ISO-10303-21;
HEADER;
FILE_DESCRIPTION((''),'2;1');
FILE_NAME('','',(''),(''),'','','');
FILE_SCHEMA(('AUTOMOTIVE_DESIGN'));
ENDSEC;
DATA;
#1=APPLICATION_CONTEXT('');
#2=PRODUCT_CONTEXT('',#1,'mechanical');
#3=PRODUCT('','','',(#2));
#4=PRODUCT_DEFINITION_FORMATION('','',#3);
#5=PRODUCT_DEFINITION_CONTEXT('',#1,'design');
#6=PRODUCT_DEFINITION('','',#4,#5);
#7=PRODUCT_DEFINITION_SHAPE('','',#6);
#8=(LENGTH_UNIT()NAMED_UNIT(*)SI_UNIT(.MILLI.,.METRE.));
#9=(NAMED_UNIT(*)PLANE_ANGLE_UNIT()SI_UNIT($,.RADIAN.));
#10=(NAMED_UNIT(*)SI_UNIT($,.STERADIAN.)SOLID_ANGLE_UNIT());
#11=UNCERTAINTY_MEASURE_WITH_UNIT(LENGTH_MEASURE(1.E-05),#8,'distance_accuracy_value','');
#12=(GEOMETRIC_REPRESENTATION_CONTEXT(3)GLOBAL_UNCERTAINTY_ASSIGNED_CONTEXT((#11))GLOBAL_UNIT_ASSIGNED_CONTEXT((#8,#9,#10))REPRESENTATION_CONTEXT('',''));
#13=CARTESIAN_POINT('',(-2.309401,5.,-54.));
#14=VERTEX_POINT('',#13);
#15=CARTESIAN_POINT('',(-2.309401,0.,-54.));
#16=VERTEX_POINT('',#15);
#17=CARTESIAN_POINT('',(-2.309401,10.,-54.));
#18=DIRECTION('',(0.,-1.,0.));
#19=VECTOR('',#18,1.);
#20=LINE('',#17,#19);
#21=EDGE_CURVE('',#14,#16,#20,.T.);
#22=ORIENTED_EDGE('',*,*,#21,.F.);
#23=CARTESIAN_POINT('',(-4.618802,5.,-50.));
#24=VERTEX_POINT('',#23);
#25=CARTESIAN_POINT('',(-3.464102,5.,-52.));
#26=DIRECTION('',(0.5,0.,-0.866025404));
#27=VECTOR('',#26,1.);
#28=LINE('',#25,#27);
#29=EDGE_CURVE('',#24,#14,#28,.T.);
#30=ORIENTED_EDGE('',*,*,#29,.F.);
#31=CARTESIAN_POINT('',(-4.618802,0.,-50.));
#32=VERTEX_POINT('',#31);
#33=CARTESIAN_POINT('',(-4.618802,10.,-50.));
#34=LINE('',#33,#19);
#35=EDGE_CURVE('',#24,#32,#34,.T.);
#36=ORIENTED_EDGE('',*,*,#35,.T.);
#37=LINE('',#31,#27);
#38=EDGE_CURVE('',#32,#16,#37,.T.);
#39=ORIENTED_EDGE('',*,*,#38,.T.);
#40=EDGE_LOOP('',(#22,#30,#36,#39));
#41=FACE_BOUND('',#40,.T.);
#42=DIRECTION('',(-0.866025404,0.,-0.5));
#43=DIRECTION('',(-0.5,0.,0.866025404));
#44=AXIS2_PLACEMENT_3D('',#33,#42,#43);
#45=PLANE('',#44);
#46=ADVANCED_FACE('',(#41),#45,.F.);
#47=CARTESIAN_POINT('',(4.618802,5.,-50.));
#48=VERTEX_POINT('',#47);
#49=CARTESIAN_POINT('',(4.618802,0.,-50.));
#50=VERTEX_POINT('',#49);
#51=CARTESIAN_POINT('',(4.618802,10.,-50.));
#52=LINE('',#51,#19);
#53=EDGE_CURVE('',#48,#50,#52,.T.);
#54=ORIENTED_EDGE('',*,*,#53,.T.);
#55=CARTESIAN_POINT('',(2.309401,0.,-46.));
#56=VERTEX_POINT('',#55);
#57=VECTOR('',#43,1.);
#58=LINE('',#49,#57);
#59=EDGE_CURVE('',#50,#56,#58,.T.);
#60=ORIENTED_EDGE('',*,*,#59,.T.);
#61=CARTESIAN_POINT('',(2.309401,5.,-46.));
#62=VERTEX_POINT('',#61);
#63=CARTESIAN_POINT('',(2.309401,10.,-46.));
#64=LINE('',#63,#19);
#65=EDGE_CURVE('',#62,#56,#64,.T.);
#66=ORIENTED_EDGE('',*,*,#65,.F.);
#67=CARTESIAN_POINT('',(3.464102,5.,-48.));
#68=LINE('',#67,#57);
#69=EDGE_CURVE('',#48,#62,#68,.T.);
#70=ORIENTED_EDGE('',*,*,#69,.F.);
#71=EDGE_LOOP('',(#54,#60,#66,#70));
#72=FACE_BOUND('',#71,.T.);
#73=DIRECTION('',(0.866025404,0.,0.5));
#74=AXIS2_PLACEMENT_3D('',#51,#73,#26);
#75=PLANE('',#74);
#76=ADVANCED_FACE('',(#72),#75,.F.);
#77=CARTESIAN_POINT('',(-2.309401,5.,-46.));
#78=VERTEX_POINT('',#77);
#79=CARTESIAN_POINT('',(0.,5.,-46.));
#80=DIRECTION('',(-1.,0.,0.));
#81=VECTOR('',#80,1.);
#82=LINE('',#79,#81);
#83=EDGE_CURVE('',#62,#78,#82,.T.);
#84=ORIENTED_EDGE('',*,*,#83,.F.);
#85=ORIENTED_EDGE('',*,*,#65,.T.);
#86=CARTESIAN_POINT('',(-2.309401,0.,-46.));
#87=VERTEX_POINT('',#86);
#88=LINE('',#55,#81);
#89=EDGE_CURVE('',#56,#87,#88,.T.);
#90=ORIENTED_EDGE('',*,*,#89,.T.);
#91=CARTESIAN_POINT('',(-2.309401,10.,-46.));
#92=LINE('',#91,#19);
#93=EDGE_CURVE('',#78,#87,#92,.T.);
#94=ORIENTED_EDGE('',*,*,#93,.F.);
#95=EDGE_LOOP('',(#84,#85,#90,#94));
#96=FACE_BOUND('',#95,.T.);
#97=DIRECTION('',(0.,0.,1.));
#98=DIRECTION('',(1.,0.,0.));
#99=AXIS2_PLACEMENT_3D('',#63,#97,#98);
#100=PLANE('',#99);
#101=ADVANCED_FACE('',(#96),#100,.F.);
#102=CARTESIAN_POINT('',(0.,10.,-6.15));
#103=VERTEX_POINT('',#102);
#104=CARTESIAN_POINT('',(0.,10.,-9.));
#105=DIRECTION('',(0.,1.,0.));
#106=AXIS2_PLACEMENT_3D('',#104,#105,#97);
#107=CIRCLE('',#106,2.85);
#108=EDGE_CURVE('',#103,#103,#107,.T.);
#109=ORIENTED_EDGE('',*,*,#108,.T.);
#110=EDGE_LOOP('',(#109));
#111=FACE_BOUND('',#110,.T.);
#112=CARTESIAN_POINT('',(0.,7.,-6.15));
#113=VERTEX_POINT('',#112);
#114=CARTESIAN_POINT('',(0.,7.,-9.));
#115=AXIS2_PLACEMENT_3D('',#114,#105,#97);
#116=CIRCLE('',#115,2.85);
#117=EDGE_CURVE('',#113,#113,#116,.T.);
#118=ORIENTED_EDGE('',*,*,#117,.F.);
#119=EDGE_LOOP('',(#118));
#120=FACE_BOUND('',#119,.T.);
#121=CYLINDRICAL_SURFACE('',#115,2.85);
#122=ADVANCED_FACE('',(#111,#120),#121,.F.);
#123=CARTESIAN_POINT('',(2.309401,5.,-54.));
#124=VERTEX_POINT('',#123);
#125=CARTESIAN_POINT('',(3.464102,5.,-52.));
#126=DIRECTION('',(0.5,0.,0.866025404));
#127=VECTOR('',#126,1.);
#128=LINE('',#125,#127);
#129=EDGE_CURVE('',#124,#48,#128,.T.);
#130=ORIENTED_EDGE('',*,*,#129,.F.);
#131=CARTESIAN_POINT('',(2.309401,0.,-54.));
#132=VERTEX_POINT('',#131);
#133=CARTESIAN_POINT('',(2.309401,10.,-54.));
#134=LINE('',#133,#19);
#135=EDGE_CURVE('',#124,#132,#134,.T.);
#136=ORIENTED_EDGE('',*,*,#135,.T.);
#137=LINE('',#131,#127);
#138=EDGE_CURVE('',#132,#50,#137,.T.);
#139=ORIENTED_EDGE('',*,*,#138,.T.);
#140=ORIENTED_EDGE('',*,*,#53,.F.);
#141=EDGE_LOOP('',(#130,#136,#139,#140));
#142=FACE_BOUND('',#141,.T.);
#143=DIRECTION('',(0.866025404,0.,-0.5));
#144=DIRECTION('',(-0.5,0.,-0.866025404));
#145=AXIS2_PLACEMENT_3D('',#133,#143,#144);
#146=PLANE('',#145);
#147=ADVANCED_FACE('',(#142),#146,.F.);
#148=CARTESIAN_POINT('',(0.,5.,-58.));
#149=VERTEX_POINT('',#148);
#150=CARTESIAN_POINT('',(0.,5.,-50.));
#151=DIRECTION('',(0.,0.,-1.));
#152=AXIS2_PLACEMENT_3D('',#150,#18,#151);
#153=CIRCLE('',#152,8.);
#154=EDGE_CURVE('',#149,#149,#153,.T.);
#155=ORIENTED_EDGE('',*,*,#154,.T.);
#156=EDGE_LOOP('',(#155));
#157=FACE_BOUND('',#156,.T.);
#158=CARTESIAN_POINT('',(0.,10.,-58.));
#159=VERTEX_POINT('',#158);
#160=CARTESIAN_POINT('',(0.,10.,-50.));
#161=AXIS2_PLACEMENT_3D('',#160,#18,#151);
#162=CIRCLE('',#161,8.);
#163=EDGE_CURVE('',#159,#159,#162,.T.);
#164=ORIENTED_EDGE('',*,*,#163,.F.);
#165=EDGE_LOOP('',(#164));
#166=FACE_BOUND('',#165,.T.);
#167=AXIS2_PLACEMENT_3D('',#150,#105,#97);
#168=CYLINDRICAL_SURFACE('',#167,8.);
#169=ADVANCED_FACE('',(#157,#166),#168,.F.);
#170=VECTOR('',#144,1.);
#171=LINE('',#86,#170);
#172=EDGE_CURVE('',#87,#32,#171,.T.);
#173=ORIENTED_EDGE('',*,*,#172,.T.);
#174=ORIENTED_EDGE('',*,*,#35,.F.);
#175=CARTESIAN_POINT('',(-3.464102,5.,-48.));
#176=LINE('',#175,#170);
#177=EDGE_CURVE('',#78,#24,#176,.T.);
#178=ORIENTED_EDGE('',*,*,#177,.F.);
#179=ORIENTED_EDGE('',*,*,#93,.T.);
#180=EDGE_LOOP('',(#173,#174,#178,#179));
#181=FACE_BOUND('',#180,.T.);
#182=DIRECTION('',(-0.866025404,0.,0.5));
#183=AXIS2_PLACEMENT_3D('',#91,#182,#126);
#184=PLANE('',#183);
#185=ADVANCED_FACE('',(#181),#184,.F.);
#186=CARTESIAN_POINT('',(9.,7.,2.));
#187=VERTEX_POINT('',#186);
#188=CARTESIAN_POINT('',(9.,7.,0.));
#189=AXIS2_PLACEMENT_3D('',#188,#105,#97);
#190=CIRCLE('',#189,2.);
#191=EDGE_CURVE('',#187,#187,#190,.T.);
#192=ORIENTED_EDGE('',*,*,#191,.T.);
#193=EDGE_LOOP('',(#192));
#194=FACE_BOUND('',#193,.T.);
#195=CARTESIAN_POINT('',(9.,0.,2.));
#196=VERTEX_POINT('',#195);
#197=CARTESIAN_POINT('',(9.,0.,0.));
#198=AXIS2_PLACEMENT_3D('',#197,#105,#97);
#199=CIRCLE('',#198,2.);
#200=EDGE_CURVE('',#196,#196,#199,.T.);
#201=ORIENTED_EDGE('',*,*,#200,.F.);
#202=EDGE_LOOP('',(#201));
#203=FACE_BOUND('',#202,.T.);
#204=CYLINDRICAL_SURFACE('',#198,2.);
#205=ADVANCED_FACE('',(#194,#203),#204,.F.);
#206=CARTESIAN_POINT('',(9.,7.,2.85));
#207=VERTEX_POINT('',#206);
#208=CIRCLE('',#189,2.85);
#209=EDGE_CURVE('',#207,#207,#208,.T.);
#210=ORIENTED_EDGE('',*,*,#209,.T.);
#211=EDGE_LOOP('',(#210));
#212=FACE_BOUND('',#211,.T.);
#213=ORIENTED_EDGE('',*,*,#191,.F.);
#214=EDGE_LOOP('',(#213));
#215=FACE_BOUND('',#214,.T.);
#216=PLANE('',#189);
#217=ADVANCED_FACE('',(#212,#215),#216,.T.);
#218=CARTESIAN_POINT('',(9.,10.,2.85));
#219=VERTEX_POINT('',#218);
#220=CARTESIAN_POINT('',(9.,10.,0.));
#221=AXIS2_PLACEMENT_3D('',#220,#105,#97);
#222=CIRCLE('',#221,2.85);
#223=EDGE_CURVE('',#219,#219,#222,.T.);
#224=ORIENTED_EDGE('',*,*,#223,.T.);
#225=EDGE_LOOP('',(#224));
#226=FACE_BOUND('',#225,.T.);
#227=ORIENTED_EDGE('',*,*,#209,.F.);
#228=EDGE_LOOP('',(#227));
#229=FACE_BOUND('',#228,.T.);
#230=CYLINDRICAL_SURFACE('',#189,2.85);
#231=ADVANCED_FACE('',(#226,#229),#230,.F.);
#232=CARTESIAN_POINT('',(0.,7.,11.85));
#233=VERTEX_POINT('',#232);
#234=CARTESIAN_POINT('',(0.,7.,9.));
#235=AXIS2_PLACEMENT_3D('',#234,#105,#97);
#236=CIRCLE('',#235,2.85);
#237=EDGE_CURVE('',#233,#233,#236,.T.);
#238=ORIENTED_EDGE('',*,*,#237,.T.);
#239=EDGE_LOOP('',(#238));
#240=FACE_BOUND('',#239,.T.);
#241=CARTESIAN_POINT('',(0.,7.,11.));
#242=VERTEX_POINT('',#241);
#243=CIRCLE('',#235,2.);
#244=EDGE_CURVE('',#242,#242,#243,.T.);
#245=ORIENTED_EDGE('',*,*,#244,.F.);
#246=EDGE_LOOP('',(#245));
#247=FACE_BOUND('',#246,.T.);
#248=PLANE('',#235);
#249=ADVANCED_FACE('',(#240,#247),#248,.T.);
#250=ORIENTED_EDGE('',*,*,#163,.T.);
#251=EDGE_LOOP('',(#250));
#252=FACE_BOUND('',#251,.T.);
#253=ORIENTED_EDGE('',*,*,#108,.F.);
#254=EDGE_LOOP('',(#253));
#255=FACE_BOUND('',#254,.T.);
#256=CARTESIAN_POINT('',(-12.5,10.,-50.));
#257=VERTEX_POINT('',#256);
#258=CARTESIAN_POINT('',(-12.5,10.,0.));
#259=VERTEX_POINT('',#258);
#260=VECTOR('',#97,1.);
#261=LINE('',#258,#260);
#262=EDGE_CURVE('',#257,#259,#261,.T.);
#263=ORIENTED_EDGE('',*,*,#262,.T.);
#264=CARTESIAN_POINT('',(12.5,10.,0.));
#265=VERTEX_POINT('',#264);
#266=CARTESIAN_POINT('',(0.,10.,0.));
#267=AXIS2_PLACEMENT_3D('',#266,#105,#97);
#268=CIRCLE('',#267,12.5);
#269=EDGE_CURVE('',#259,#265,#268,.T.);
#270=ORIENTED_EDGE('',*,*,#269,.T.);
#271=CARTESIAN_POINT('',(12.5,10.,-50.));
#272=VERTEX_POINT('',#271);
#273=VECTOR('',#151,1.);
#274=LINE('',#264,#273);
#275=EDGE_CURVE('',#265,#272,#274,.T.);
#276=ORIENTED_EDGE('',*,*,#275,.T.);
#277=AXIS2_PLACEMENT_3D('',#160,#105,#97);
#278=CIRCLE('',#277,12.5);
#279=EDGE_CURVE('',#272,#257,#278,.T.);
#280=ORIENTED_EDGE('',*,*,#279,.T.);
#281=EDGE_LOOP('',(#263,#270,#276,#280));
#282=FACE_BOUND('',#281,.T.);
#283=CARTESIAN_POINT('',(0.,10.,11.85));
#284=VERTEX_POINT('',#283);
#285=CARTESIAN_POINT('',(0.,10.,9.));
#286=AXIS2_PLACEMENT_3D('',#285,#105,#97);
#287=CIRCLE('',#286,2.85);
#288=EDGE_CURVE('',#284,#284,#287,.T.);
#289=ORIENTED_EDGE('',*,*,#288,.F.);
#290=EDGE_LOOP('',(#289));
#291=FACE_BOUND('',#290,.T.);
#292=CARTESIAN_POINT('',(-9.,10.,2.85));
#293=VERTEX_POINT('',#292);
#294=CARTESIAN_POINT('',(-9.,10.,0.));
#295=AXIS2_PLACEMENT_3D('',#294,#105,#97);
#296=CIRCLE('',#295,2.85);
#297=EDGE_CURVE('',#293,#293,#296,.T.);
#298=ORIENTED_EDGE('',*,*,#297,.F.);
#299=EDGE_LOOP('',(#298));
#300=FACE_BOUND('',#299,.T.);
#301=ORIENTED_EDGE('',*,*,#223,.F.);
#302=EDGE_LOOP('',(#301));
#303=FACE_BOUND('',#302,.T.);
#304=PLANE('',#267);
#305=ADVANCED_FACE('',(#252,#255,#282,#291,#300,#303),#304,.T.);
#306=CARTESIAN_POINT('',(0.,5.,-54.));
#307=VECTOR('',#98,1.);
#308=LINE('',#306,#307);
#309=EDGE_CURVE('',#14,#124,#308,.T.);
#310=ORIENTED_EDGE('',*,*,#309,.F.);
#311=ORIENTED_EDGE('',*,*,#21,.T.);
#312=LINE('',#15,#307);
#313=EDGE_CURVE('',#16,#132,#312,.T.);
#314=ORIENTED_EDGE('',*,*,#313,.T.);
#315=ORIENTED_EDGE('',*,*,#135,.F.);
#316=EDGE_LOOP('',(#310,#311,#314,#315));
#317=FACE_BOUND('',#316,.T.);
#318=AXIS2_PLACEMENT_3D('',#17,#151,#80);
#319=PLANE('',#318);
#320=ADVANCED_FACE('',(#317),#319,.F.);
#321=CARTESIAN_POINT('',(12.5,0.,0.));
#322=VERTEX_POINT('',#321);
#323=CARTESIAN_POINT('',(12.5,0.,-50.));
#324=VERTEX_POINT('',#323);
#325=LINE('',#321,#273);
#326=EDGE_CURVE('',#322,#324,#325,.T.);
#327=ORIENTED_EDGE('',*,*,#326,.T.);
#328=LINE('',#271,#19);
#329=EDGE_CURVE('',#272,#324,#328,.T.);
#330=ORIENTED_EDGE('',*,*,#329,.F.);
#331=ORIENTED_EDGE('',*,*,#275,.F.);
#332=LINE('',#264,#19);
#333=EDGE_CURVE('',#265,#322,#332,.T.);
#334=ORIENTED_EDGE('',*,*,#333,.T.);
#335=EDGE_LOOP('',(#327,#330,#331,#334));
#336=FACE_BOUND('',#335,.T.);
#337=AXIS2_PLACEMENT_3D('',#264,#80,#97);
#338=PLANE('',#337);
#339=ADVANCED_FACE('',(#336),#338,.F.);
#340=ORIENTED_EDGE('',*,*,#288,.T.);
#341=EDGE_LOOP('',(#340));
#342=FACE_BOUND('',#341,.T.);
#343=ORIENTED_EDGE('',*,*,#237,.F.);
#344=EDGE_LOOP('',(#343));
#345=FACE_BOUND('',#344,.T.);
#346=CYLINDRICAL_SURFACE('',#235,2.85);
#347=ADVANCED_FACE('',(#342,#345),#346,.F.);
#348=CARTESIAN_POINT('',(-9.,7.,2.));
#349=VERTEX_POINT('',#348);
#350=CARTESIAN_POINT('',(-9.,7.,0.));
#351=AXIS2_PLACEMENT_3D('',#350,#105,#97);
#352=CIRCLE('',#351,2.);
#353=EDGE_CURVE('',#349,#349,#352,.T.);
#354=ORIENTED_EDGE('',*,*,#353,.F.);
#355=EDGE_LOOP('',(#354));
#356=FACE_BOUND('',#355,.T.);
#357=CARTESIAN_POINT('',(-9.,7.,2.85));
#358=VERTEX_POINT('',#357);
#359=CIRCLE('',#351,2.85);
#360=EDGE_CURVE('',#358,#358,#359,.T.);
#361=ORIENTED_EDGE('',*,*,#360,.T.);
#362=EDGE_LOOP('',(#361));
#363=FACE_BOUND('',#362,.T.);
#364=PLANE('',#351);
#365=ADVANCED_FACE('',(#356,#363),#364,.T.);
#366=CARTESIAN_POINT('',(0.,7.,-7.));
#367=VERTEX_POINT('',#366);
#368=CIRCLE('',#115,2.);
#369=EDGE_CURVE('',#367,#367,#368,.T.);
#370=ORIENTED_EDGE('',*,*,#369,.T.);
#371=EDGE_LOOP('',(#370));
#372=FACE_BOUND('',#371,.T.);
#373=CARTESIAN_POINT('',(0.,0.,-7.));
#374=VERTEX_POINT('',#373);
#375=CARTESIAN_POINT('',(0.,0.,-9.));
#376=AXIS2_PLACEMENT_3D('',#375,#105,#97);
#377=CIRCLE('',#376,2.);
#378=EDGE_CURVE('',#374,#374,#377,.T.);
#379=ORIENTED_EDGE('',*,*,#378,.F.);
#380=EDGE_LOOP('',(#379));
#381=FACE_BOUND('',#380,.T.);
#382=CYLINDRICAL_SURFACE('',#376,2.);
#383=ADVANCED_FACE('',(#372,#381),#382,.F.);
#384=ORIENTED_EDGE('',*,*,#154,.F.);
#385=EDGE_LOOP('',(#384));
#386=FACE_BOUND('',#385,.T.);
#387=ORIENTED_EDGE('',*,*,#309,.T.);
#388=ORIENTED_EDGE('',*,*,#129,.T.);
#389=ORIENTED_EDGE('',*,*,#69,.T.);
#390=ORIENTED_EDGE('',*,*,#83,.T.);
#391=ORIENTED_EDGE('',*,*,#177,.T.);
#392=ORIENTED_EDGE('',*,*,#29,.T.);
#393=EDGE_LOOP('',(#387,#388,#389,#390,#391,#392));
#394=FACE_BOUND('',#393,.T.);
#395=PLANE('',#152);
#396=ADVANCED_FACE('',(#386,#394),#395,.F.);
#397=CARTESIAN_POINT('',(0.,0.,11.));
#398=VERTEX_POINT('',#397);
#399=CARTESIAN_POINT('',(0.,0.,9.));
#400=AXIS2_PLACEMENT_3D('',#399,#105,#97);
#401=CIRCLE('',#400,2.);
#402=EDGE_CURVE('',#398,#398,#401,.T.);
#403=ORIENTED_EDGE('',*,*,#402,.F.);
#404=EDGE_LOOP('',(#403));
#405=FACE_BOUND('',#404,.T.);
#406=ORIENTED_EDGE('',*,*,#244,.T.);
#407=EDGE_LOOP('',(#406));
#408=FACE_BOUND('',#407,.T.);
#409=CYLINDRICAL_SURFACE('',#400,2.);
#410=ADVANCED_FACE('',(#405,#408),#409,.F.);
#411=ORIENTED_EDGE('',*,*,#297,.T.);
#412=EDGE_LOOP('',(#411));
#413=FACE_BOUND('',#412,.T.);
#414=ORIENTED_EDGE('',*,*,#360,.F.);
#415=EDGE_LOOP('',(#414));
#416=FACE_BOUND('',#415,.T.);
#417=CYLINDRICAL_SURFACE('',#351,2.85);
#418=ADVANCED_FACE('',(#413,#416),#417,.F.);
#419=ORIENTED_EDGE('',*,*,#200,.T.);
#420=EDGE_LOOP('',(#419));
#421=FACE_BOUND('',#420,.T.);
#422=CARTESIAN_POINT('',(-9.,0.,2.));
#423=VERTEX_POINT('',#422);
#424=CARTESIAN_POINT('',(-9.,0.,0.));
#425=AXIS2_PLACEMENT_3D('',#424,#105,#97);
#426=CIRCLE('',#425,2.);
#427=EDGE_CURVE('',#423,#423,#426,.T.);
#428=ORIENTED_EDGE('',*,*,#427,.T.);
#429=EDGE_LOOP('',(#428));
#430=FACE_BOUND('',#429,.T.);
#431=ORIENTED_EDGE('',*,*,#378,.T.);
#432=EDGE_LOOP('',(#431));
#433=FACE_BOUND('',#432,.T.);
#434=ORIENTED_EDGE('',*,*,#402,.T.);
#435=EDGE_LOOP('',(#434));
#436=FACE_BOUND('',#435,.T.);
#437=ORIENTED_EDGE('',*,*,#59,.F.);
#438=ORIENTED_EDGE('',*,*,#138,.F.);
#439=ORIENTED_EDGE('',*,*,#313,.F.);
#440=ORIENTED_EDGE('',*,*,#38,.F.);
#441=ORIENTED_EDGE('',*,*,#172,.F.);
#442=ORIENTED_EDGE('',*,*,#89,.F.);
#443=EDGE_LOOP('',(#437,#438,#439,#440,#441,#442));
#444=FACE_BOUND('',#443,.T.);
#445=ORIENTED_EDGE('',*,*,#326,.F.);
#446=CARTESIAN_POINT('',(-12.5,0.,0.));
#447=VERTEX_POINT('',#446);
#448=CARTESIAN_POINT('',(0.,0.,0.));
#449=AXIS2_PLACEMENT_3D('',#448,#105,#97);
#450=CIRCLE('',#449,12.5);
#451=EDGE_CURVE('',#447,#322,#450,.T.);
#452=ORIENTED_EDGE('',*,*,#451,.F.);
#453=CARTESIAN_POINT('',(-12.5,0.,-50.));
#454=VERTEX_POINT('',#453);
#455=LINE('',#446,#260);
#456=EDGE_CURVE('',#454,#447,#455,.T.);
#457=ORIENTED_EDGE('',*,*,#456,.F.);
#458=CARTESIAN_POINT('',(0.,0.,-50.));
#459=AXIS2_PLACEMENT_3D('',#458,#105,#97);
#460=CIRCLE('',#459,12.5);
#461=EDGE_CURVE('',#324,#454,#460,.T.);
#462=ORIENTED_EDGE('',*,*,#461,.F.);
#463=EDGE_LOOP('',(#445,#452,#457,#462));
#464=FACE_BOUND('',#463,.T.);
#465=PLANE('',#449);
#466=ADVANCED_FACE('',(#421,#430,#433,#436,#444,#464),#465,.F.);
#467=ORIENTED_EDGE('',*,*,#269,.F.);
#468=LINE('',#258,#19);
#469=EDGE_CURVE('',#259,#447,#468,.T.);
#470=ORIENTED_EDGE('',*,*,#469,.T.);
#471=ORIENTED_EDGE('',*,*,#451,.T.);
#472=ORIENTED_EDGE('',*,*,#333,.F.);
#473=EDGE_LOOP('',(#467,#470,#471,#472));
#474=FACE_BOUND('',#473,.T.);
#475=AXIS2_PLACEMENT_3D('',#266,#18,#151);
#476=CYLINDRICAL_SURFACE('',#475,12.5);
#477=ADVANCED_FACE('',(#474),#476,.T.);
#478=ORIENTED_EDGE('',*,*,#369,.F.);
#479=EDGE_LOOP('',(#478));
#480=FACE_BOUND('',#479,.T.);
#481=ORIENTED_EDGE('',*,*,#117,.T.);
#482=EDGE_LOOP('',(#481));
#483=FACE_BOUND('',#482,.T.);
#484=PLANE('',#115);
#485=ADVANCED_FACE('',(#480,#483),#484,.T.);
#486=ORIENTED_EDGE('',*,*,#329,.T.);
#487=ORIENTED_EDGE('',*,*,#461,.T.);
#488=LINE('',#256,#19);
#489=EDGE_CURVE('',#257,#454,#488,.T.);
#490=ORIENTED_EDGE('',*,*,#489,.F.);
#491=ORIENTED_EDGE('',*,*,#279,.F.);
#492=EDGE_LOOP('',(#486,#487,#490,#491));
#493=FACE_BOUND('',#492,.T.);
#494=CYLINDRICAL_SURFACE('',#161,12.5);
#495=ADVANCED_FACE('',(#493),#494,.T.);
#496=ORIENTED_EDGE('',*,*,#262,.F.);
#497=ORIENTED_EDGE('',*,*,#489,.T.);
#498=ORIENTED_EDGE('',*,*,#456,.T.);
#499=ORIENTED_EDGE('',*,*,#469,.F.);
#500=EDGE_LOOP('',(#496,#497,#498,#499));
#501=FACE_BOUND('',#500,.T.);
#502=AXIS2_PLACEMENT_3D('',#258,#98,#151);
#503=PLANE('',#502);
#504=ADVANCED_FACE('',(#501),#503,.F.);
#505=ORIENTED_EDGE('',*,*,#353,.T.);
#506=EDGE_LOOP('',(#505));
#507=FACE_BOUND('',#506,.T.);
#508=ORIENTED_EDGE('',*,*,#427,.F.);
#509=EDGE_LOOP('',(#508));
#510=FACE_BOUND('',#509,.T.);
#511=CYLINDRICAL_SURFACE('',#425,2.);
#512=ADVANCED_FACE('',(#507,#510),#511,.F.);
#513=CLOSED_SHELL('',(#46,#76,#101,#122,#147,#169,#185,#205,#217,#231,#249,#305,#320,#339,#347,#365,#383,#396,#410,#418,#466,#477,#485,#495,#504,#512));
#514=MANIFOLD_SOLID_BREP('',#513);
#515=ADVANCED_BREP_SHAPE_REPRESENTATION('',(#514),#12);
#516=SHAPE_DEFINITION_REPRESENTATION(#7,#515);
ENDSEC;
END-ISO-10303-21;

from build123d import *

# Parameters (mm, degrees)
BOSS_EXTRUDE1_DEPTH = 10
SKETCH2_R           = 2.85
CUT_EXTRUDE1_DEPTH  = 3
SKETCH3_R           = 2
CUT_EXTRUDE2_DEPTH  = 65.517439503
SKETCH4_R           = 8
CUT_EXTRUDE5_DEPTH  = 5
SKETCH6_R           = 3.5
CUT_EXTRUDE6_DEPTH  = 65.517439503
CUT_EXTRUDE7_DEPTH  = 65.517439503


with BuildPart() as part:
    # Sketch1 → Boss-Extrude1 (new body)
    with BuildSketch(Plane(origin=(0, 0, 0), x_dir=(1, 0, 0), z_dir=(0, 1, 0))):
        with BuildLine():
            Line((-12.5, 0), (-12.5, 50))
            ThreePointArc((-12.5, 50), (0, 62.5), (12.5, 50))
            Line((12.5, 50), (12.5, 0))
            ThreePointArc((12.5, 0), (0, -12.5), (-12.5, 0))
        make_face()
    extrude(amount=BOSS_EXTRUDE1_DEPTH)

    # Sketch2 → Cut-Extrude1 (cut)
    with BuildSketch(Plane(origin=(0, 10, 0), x_dir=(1, 0, 0), z_dir=(0, 1, 0))):
        with Locations(Location((0, 9, 0), (0, 0, 270))):
            Circle(SKETCH2_R)
        with Locations(Location((9, 0, 0), (0, 0, 270))):
            Circle(SKETCH2_R)
        with Locations(Location((0, -9, 0), (0, 0, 270))):
            Circle(SKETCH2_R)
        with Locations(Location((-9, 0, 0), (0, 0, 270))):
            Circle(SKETCH2_R)
    extrude(amount=-CUT_EXTRUDE1_DEPTH, mode=Mode.SUBTRACT)

    # Sketch3 → Cut-Extrude2 (cut, through all)
    with BuildSketch(Plane(origin=(0, 10, 0), x_dir=(1, 0, 0), z_dir=(0, 1, 0))):
        with Locations(Location((0, 9, 0), (0, 0, 270))):
            Circle(SKETCH3_R)
        with Locations(Location((9, 0, 0), (0, 0, 270))):
            Circle(SKETCH3_R)
        with Locations(Location((0, -9, 0), (0, 0, 270))):
            Circle(SKETCH3_R)
        with Locations(Location((-9, 0, 0), (0, 0, 270))):
            Circle(SKETCH3_R)
    extrude(amount=-CUT_EXTRUDE2_DEPTH, mode=Mode.SUBTRACT)

    # Sketch4 → Cut-Extrude5 (cut)
    with BuildSketch(Plane.XZ.offset(-10)):
        with Locations(Location((0, -50, 0), (0, 0, 270))):
            Circle(SKETCH4_R)
    extrude(amount=CUT_EXTRUDE5_DEPTH, mode=Mode.SUBTRACT)

    # Sketch6 → Cut-Extrude6 (cut, through all)
    with BuildSketch(Plane(origin=(0, 10, 0), x_dir=(1, 0, 0), z_dir=(0, 1, 0))):
        with Locations(Location((0, 50, 0), (0, 0, 270))):
            Circle(SKETCH6_R)
    extrude(amount=-CUT_EXTRUDE6_DEPTH, mode=Mode.SUBTRACT)

    # Sketch7 → Cut-Extrude7 (cut, through all)
    with BuildSketch(Plane.XZ):
        Polygon((4.618802154, -50), (2.309401077, -46), (-2.309401077, -46), (-4.618802154, -50), (-2.309401077, -54), (2.309401077, -54), align=None)
    extrude(amount=-CUT_EXTRUDE7_DEPTH, mode=Mode.SUBTRACT)


solid = part.part
